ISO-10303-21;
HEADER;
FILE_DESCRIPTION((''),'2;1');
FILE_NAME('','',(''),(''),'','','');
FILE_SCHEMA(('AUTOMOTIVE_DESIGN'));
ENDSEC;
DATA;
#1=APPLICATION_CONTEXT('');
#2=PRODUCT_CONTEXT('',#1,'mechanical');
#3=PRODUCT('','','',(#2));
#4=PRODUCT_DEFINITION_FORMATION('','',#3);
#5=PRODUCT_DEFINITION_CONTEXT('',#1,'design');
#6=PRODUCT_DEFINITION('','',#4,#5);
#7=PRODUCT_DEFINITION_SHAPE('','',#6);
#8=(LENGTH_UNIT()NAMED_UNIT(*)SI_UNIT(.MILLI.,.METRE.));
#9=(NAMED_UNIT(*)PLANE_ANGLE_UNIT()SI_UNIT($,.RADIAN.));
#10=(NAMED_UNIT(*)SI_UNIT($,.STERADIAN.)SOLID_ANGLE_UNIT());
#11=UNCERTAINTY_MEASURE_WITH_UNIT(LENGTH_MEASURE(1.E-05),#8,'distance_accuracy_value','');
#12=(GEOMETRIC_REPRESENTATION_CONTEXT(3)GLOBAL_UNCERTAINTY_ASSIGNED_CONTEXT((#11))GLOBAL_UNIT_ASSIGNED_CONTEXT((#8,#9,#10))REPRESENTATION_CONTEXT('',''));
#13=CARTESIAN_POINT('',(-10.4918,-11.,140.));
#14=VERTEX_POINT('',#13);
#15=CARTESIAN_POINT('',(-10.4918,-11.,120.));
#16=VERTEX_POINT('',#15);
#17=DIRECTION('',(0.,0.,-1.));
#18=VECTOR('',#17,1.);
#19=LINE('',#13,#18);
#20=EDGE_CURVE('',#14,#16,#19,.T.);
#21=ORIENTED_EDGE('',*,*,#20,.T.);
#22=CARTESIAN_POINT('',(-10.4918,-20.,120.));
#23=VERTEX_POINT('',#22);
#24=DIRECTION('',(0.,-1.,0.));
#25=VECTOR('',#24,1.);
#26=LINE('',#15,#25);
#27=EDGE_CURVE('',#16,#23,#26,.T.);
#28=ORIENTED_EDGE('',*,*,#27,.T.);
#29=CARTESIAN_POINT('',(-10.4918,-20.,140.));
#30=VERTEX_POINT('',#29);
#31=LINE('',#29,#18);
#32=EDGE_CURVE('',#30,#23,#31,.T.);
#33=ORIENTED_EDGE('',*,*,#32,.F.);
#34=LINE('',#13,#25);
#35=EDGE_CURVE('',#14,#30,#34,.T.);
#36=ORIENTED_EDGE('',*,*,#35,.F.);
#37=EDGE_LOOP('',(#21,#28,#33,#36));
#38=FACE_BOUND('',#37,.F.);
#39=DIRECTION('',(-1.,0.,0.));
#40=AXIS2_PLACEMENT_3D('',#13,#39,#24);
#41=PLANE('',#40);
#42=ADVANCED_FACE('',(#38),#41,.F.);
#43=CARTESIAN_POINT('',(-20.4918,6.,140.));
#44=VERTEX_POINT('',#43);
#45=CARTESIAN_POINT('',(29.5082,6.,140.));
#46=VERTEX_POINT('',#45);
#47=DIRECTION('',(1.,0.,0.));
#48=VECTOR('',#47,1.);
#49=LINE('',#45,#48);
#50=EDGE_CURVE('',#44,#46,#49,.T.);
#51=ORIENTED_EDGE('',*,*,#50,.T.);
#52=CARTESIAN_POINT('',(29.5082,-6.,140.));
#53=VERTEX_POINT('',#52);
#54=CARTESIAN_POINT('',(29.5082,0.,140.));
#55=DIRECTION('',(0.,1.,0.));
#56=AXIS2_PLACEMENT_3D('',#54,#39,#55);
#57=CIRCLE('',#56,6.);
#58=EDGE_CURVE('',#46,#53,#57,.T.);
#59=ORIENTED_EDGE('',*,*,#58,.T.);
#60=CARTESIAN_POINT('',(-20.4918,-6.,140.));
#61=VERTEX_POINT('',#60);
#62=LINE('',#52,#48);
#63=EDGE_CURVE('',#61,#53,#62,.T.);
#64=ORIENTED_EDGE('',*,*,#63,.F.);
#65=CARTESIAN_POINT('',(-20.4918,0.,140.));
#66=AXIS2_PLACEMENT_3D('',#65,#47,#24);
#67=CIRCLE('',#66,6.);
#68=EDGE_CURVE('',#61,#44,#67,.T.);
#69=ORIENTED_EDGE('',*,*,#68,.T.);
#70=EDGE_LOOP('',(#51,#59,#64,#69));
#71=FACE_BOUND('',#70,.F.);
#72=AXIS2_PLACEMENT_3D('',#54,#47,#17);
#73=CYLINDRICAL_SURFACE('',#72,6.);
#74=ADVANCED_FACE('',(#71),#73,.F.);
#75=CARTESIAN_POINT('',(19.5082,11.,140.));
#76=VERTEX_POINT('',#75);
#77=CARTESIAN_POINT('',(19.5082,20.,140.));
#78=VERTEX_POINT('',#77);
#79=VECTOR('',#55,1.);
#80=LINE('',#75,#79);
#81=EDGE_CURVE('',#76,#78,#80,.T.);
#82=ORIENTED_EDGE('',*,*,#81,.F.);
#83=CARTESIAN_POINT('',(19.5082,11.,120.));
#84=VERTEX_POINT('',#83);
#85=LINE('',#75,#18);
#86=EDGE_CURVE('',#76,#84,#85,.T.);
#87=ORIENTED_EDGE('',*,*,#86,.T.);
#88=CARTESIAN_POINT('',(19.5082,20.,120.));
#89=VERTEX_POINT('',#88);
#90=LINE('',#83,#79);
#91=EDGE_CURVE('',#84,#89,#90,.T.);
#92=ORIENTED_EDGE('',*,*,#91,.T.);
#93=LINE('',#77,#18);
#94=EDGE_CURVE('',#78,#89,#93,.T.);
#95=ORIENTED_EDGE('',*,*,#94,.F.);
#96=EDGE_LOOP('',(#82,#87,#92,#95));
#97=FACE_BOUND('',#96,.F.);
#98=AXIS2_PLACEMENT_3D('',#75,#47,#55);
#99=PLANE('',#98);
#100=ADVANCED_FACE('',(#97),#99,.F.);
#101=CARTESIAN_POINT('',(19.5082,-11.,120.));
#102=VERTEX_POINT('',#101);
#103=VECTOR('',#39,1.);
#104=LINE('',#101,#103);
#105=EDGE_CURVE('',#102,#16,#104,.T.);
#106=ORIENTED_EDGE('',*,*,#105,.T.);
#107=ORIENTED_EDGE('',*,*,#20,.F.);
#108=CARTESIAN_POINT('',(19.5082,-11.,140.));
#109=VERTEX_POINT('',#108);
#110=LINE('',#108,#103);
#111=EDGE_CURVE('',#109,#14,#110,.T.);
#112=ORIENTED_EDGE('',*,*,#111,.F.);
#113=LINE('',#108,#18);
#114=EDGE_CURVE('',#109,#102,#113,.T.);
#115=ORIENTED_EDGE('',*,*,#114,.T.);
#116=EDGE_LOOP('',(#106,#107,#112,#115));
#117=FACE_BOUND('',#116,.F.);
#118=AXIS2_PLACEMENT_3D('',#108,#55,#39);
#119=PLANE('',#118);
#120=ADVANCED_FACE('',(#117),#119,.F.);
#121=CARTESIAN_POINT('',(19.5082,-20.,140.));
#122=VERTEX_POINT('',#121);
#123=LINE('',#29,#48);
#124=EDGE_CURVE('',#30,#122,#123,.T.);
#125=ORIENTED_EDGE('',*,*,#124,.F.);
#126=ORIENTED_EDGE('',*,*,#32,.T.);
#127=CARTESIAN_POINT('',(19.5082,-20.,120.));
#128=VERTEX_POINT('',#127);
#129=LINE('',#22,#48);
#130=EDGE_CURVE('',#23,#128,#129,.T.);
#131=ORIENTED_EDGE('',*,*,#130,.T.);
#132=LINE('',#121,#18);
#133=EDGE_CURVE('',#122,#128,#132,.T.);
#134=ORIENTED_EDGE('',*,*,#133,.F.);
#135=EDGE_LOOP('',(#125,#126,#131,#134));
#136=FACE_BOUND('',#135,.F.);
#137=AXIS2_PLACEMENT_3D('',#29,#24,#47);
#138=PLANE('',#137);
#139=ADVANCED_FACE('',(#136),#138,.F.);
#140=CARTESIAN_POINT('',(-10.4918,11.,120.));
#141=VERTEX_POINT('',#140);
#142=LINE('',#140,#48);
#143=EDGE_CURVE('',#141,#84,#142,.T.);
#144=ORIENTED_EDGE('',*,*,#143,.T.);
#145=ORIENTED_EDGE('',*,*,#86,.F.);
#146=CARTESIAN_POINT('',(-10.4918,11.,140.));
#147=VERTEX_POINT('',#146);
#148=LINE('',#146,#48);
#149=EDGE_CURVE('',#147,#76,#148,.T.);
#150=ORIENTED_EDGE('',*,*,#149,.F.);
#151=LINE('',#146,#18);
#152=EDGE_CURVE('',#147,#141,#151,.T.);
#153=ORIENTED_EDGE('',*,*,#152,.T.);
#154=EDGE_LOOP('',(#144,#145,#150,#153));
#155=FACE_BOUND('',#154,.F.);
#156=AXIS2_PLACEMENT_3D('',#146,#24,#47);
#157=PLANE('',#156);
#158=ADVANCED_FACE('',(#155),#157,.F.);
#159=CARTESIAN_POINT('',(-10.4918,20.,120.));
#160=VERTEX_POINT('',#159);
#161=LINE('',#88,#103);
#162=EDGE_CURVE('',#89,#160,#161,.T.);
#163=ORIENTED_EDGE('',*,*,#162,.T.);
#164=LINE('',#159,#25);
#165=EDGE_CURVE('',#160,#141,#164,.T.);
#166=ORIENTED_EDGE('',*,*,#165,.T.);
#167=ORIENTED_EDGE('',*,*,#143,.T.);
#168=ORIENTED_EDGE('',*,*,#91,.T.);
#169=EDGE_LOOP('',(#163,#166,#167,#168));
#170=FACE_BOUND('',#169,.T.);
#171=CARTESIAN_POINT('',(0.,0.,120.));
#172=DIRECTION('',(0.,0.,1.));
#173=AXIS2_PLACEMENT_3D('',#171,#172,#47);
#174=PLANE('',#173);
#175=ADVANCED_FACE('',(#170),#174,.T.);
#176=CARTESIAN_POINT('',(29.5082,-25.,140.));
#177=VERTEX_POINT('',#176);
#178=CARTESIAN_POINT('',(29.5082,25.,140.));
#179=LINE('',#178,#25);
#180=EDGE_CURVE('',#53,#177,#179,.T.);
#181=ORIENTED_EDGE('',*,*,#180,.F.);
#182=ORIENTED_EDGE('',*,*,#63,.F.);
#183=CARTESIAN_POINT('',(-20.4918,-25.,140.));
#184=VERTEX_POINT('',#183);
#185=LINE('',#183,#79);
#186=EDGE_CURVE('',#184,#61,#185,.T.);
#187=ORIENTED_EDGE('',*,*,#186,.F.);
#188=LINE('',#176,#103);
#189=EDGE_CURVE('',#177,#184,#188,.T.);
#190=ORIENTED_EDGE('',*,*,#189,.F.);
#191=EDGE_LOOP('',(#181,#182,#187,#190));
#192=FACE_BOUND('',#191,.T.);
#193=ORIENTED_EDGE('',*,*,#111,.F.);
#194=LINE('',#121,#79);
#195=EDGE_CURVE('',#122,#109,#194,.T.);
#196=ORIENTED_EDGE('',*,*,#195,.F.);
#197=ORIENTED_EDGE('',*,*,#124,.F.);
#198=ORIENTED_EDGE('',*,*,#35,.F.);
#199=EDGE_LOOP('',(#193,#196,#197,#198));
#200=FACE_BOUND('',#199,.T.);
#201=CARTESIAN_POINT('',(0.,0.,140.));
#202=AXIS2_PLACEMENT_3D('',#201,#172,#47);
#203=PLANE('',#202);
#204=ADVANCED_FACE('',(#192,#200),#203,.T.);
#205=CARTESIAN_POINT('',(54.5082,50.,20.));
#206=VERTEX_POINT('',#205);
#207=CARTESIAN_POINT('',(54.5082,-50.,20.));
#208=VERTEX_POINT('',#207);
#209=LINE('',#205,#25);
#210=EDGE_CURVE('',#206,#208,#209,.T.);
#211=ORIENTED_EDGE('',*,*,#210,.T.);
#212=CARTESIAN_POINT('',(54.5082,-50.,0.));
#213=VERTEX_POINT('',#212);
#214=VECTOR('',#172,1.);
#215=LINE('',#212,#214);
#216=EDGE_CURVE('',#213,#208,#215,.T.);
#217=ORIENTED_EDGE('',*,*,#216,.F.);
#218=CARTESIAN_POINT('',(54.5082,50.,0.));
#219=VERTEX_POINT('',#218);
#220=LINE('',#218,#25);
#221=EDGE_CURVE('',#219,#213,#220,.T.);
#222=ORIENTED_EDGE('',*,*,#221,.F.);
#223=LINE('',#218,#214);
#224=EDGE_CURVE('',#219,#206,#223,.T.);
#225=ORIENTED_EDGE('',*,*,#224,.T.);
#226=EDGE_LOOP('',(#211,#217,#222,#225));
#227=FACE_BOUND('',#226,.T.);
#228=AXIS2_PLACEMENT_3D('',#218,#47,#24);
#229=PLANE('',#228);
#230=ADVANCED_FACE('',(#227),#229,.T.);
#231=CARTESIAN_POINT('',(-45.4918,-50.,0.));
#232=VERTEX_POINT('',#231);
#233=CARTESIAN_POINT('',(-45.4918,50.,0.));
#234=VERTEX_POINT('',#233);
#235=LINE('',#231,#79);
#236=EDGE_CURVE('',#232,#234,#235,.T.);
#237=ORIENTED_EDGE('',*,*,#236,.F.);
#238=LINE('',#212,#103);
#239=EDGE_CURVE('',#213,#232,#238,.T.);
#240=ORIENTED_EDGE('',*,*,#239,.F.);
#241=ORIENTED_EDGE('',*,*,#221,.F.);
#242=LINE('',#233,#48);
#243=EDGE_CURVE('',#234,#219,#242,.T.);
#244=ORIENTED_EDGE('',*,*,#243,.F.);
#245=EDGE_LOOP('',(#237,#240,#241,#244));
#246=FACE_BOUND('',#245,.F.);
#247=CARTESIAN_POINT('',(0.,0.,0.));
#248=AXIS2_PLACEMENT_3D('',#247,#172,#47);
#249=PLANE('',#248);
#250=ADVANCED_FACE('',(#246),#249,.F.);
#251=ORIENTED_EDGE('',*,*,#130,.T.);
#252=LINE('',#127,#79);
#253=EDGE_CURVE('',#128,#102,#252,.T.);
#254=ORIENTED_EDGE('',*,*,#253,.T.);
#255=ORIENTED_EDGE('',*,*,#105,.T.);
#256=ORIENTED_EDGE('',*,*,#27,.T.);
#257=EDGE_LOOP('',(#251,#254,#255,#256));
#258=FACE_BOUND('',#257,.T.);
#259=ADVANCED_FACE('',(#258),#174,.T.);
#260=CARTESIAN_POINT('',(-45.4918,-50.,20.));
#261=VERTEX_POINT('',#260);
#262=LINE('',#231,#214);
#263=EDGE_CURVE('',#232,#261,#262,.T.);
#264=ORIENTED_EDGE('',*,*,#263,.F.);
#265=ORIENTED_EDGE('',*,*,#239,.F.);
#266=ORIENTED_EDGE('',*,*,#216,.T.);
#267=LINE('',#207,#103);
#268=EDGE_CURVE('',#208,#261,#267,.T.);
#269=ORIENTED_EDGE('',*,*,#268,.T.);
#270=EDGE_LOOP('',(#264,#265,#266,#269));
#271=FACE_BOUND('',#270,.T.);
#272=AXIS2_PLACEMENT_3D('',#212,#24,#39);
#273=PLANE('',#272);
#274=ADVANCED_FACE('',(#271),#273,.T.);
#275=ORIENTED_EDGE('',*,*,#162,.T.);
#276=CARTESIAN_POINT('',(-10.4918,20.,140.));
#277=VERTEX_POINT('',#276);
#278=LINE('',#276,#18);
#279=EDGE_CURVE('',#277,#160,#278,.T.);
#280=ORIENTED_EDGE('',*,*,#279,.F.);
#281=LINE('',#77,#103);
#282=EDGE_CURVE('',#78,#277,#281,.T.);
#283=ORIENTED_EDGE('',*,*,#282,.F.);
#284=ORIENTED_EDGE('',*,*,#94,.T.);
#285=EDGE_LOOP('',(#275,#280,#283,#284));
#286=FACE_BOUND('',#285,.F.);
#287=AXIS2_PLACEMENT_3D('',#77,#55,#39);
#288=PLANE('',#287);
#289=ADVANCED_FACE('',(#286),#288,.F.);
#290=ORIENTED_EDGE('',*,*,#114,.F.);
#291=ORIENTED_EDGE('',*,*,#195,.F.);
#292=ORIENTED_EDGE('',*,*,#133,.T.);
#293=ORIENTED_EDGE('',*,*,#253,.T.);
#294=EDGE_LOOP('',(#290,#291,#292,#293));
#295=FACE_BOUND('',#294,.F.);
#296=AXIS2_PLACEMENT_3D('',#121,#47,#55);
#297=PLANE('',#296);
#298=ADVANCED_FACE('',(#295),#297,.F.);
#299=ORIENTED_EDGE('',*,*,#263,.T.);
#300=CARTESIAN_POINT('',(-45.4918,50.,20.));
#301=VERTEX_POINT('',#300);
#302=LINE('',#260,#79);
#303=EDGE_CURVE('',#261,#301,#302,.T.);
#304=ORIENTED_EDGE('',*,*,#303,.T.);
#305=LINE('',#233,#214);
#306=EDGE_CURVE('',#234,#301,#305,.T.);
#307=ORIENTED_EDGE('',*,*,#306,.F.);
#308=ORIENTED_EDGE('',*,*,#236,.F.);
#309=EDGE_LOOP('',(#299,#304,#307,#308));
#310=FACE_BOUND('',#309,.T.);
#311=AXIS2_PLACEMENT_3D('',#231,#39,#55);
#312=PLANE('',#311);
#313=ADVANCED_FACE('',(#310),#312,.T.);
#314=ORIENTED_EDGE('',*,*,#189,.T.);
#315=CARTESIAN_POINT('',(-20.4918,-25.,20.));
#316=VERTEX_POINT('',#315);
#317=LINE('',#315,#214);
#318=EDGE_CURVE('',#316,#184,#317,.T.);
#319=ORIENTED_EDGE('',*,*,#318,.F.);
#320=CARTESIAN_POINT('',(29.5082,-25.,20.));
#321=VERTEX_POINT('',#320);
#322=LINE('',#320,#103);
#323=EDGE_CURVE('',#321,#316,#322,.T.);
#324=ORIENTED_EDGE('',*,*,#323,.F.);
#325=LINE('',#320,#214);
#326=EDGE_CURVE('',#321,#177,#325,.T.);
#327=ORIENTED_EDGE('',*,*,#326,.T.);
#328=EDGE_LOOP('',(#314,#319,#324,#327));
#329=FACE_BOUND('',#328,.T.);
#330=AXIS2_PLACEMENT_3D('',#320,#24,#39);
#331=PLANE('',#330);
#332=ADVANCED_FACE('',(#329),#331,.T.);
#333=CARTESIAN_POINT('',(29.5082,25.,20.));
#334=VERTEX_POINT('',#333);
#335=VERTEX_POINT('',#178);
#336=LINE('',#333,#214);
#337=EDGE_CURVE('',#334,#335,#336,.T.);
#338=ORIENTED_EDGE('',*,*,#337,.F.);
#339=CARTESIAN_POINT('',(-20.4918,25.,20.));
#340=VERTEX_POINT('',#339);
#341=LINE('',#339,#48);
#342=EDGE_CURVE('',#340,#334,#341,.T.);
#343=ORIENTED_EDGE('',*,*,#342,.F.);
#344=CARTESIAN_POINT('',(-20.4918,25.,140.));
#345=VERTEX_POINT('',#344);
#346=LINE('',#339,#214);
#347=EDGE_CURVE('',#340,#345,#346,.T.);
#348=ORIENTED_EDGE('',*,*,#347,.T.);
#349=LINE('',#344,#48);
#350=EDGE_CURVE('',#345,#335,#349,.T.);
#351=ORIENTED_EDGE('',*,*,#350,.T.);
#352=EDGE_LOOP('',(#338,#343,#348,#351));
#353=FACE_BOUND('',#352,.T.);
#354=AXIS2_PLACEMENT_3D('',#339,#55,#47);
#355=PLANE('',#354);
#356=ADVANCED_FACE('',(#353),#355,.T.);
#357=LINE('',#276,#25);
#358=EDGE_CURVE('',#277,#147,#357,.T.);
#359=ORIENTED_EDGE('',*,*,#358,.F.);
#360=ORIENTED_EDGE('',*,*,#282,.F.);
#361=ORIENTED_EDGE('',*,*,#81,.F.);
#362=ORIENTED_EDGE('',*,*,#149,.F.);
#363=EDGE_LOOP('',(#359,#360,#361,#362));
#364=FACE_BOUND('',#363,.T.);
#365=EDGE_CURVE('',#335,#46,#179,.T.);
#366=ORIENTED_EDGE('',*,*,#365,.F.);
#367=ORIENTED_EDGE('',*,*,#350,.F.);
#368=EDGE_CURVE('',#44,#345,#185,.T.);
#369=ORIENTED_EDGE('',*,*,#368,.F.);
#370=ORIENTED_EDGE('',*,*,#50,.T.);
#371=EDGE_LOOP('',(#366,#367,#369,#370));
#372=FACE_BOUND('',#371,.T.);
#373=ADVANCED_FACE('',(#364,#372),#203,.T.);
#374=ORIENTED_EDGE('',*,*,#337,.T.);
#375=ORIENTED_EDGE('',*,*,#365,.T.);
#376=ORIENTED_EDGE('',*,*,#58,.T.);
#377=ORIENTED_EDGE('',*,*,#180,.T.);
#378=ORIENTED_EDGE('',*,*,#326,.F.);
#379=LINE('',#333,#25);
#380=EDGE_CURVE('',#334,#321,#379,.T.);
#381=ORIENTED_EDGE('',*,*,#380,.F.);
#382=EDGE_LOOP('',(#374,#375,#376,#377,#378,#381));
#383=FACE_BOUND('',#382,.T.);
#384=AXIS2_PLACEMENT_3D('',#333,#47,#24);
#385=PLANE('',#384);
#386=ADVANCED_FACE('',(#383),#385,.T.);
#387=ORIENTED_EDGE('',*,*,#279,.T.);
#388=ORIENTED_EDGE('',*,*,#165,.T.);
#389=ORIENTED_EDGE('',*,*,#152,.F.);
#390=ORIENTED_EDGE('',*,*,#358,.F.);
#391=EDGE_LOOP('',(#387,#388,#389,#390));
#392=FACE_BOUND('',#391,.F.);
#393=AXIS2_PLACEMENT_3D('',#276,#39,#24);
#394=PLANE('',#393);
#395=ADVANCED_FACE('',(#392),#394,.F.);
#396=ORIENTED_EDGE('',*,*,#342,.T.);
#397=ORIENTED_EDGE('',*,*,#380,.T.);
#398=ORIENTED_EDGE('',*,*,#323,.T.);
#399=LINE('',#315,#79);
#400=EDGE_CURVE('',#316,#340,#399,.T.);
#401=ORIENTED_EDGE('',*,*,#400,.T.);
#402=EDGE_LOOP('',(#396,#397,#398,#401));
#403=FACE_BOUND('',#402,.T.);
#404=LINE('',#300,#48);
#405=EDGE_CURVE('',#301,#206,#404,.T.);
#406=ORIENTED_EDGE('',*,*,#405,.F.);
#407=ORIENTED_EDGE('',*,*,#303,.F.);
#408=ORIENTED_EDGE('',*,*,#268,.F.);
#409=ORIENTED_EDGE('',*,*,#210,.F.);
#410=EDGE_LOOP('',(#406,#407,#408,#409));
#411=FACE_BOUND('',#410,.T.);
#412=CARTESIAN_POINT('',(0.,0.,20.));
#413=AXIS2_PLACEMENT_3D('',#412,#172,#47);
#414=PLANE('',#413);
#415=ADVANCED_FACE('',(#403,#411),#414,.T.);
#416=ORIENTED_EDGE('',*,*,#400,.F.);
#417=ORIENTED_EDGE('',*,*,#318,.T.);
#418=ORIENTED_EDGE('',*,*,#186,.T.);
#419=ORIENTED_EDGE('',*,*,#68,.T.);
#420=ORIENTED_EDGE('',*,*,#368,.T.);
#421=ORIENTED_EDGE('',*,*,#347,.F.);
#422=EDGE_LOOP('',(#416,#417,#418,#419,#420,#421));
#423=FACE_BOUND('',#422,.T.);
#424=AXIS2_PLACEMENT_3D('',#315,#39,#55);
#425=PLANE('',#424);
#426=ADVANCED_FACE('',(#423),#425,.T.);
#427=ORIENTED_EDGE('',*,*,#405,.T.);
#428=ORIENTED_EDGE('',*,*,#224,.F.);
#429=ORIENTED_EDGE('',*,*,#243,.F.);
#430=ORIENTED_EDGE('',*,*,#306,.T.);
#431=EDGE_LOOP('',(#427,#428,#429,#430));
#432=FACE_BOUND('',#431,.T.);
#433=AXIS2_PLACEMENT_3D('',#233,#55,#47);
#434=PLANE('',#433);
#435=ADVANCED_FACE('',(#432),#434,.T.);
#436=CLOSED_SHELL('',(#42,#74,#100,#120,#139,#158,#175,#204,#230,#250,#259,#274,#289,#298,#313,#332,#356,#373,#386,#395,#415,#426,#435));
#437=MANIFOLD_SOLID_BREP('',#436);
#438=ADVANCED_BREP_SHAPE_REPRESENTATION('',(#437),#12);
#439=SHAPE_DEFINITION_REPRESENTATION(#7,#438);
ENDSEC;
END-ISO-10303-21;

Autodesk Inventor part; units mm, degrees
ref_plane "YZ Plane" through (0, 0, 0) normal (1, 0, 0) x (0, 1, 0)
ref_plane "XZ Plane" through (0, 0, 0) normal (0, 1, 0) x (-1, 0, 0)
ref_plane "XY Plane" through (0, 0, 0) normal (0, 0, 1) x (1, 0, 0)
sketch "Sketch1" plane through (0, 0, 0) normal (0, 0, 1) x (1, 0, 0)
  line L0 (-45.4918, 50) -> (54.5082, 50)
  line L1 (54.5082, 50) -> (54.5082, -50)
  line L2 (54.5082, -50) -> (-45.4918, -50)
  line L3 (-45.4918, -50) -> (-45.4918, 50)
  point P0 (0, 0)
  dimension "d0" = 100
  dimension "d1" = 100
extrude "Extrusion1" add sketch "Sketch1" along normal blind 20
sketch "Sketch2" plane through (0, 0, 20) normal (0, 0, 1) x (1, 0, 0)
  line L0 (-20.4918, 25) -> (29.5082, 25)
  line L1 (29.5082, 25) -> (29.5082, -25)
  line L2 (29.5082, -25) -> (-20.4918, -25)
  line L3 (-20.4918, -25) -> (-20.4918, 25)
  line L4 (54.5082, 50) -> (-45.4918, 50) projected
  line L5 (-45.4918, 50) -> (-45.4918, -50) projected
  line L6 (-45.4918, -50) -> (54.5082, -50) projected
  line L7 (54.5082, -50) -> (54.5082, 50) projected
  point P0 (0, 0)
  dimension "d4" = 25
  dimension "d5" = 25
  dimension "d6" = 25
  dimension "d7" = 25
extrude "Extrusion2" add sketch "Sketch2" along normal blind 120 contours L0 L1 L2 L3
sketch "Sketch3" plane through (29.5082, -25, 20) normal (1, 0, 0) x (0, 0, -1)
  line L0 (-120, 50) -> (-120, 0) projected
  circle A0 centre (-120, 25) radius 6
  point P0 (20, 25)
  dimension "d10" = 12
extrude "Extrusion3" cut sketch "Sketch3" against normal blind 50
sketch "Sketch4" plane through (0, 0, 140) normal (0, 0, 1) x (1, 0, 0)
  line L0 (19.5082, -11) -> (-10.4918, -11)
  line L1 (-10.4918, -11) -> (-10.4918, -20)
  line L2 (-10.4918, -20) -> (19.5082, -20)
  line L3 (19.5082, -20) -> (19.5082, -11)
  line L4 (19.5082, 20) -> (-10.4918, 20)
  line L5 (-10.4918, 20) -> (-10.4918, 11)
  line L6 (-10.4918, 11) -> (19.5082, 11)
  line L7 (19.5082, 11) -> (19.5082, 20)
  line L8 (29.5082, 6) -> (29.5082, 25) projected
  line L9 (-20.4918, 25) -> (-20.4918, 6) projected
  line L10 (29.5082, 25) -> (-20.4918, 25) projected
  line L11 (-20.4918, 6) -> (29.5082, 6) projected
  line L12 (29.5082, -6) -> (-20.4918, -6) projected
  line L13 (-20.4918, -25) -> (29.5082, -25) projected
  point P0 (0, 0)
  dimension "d13" = 10
  dimension "d14" = 10
  dimension "d15" = 5
  dimension "d16" = 5
  dimension "d17" = 5
  dimension "d18" = 5
extrude "Extrusion4" cut sketch "Sketch4" against normal blind 20 contours L3 L2 L1 L0 | L7 L6 L5 L4
equation "\"d1\" = d0"
equation "\"d5\" = d4"
equation "\"d6\" = d4"
equation "\"d7\" = d4"
properties part number "laser bottom" material "Iron, Cast"
